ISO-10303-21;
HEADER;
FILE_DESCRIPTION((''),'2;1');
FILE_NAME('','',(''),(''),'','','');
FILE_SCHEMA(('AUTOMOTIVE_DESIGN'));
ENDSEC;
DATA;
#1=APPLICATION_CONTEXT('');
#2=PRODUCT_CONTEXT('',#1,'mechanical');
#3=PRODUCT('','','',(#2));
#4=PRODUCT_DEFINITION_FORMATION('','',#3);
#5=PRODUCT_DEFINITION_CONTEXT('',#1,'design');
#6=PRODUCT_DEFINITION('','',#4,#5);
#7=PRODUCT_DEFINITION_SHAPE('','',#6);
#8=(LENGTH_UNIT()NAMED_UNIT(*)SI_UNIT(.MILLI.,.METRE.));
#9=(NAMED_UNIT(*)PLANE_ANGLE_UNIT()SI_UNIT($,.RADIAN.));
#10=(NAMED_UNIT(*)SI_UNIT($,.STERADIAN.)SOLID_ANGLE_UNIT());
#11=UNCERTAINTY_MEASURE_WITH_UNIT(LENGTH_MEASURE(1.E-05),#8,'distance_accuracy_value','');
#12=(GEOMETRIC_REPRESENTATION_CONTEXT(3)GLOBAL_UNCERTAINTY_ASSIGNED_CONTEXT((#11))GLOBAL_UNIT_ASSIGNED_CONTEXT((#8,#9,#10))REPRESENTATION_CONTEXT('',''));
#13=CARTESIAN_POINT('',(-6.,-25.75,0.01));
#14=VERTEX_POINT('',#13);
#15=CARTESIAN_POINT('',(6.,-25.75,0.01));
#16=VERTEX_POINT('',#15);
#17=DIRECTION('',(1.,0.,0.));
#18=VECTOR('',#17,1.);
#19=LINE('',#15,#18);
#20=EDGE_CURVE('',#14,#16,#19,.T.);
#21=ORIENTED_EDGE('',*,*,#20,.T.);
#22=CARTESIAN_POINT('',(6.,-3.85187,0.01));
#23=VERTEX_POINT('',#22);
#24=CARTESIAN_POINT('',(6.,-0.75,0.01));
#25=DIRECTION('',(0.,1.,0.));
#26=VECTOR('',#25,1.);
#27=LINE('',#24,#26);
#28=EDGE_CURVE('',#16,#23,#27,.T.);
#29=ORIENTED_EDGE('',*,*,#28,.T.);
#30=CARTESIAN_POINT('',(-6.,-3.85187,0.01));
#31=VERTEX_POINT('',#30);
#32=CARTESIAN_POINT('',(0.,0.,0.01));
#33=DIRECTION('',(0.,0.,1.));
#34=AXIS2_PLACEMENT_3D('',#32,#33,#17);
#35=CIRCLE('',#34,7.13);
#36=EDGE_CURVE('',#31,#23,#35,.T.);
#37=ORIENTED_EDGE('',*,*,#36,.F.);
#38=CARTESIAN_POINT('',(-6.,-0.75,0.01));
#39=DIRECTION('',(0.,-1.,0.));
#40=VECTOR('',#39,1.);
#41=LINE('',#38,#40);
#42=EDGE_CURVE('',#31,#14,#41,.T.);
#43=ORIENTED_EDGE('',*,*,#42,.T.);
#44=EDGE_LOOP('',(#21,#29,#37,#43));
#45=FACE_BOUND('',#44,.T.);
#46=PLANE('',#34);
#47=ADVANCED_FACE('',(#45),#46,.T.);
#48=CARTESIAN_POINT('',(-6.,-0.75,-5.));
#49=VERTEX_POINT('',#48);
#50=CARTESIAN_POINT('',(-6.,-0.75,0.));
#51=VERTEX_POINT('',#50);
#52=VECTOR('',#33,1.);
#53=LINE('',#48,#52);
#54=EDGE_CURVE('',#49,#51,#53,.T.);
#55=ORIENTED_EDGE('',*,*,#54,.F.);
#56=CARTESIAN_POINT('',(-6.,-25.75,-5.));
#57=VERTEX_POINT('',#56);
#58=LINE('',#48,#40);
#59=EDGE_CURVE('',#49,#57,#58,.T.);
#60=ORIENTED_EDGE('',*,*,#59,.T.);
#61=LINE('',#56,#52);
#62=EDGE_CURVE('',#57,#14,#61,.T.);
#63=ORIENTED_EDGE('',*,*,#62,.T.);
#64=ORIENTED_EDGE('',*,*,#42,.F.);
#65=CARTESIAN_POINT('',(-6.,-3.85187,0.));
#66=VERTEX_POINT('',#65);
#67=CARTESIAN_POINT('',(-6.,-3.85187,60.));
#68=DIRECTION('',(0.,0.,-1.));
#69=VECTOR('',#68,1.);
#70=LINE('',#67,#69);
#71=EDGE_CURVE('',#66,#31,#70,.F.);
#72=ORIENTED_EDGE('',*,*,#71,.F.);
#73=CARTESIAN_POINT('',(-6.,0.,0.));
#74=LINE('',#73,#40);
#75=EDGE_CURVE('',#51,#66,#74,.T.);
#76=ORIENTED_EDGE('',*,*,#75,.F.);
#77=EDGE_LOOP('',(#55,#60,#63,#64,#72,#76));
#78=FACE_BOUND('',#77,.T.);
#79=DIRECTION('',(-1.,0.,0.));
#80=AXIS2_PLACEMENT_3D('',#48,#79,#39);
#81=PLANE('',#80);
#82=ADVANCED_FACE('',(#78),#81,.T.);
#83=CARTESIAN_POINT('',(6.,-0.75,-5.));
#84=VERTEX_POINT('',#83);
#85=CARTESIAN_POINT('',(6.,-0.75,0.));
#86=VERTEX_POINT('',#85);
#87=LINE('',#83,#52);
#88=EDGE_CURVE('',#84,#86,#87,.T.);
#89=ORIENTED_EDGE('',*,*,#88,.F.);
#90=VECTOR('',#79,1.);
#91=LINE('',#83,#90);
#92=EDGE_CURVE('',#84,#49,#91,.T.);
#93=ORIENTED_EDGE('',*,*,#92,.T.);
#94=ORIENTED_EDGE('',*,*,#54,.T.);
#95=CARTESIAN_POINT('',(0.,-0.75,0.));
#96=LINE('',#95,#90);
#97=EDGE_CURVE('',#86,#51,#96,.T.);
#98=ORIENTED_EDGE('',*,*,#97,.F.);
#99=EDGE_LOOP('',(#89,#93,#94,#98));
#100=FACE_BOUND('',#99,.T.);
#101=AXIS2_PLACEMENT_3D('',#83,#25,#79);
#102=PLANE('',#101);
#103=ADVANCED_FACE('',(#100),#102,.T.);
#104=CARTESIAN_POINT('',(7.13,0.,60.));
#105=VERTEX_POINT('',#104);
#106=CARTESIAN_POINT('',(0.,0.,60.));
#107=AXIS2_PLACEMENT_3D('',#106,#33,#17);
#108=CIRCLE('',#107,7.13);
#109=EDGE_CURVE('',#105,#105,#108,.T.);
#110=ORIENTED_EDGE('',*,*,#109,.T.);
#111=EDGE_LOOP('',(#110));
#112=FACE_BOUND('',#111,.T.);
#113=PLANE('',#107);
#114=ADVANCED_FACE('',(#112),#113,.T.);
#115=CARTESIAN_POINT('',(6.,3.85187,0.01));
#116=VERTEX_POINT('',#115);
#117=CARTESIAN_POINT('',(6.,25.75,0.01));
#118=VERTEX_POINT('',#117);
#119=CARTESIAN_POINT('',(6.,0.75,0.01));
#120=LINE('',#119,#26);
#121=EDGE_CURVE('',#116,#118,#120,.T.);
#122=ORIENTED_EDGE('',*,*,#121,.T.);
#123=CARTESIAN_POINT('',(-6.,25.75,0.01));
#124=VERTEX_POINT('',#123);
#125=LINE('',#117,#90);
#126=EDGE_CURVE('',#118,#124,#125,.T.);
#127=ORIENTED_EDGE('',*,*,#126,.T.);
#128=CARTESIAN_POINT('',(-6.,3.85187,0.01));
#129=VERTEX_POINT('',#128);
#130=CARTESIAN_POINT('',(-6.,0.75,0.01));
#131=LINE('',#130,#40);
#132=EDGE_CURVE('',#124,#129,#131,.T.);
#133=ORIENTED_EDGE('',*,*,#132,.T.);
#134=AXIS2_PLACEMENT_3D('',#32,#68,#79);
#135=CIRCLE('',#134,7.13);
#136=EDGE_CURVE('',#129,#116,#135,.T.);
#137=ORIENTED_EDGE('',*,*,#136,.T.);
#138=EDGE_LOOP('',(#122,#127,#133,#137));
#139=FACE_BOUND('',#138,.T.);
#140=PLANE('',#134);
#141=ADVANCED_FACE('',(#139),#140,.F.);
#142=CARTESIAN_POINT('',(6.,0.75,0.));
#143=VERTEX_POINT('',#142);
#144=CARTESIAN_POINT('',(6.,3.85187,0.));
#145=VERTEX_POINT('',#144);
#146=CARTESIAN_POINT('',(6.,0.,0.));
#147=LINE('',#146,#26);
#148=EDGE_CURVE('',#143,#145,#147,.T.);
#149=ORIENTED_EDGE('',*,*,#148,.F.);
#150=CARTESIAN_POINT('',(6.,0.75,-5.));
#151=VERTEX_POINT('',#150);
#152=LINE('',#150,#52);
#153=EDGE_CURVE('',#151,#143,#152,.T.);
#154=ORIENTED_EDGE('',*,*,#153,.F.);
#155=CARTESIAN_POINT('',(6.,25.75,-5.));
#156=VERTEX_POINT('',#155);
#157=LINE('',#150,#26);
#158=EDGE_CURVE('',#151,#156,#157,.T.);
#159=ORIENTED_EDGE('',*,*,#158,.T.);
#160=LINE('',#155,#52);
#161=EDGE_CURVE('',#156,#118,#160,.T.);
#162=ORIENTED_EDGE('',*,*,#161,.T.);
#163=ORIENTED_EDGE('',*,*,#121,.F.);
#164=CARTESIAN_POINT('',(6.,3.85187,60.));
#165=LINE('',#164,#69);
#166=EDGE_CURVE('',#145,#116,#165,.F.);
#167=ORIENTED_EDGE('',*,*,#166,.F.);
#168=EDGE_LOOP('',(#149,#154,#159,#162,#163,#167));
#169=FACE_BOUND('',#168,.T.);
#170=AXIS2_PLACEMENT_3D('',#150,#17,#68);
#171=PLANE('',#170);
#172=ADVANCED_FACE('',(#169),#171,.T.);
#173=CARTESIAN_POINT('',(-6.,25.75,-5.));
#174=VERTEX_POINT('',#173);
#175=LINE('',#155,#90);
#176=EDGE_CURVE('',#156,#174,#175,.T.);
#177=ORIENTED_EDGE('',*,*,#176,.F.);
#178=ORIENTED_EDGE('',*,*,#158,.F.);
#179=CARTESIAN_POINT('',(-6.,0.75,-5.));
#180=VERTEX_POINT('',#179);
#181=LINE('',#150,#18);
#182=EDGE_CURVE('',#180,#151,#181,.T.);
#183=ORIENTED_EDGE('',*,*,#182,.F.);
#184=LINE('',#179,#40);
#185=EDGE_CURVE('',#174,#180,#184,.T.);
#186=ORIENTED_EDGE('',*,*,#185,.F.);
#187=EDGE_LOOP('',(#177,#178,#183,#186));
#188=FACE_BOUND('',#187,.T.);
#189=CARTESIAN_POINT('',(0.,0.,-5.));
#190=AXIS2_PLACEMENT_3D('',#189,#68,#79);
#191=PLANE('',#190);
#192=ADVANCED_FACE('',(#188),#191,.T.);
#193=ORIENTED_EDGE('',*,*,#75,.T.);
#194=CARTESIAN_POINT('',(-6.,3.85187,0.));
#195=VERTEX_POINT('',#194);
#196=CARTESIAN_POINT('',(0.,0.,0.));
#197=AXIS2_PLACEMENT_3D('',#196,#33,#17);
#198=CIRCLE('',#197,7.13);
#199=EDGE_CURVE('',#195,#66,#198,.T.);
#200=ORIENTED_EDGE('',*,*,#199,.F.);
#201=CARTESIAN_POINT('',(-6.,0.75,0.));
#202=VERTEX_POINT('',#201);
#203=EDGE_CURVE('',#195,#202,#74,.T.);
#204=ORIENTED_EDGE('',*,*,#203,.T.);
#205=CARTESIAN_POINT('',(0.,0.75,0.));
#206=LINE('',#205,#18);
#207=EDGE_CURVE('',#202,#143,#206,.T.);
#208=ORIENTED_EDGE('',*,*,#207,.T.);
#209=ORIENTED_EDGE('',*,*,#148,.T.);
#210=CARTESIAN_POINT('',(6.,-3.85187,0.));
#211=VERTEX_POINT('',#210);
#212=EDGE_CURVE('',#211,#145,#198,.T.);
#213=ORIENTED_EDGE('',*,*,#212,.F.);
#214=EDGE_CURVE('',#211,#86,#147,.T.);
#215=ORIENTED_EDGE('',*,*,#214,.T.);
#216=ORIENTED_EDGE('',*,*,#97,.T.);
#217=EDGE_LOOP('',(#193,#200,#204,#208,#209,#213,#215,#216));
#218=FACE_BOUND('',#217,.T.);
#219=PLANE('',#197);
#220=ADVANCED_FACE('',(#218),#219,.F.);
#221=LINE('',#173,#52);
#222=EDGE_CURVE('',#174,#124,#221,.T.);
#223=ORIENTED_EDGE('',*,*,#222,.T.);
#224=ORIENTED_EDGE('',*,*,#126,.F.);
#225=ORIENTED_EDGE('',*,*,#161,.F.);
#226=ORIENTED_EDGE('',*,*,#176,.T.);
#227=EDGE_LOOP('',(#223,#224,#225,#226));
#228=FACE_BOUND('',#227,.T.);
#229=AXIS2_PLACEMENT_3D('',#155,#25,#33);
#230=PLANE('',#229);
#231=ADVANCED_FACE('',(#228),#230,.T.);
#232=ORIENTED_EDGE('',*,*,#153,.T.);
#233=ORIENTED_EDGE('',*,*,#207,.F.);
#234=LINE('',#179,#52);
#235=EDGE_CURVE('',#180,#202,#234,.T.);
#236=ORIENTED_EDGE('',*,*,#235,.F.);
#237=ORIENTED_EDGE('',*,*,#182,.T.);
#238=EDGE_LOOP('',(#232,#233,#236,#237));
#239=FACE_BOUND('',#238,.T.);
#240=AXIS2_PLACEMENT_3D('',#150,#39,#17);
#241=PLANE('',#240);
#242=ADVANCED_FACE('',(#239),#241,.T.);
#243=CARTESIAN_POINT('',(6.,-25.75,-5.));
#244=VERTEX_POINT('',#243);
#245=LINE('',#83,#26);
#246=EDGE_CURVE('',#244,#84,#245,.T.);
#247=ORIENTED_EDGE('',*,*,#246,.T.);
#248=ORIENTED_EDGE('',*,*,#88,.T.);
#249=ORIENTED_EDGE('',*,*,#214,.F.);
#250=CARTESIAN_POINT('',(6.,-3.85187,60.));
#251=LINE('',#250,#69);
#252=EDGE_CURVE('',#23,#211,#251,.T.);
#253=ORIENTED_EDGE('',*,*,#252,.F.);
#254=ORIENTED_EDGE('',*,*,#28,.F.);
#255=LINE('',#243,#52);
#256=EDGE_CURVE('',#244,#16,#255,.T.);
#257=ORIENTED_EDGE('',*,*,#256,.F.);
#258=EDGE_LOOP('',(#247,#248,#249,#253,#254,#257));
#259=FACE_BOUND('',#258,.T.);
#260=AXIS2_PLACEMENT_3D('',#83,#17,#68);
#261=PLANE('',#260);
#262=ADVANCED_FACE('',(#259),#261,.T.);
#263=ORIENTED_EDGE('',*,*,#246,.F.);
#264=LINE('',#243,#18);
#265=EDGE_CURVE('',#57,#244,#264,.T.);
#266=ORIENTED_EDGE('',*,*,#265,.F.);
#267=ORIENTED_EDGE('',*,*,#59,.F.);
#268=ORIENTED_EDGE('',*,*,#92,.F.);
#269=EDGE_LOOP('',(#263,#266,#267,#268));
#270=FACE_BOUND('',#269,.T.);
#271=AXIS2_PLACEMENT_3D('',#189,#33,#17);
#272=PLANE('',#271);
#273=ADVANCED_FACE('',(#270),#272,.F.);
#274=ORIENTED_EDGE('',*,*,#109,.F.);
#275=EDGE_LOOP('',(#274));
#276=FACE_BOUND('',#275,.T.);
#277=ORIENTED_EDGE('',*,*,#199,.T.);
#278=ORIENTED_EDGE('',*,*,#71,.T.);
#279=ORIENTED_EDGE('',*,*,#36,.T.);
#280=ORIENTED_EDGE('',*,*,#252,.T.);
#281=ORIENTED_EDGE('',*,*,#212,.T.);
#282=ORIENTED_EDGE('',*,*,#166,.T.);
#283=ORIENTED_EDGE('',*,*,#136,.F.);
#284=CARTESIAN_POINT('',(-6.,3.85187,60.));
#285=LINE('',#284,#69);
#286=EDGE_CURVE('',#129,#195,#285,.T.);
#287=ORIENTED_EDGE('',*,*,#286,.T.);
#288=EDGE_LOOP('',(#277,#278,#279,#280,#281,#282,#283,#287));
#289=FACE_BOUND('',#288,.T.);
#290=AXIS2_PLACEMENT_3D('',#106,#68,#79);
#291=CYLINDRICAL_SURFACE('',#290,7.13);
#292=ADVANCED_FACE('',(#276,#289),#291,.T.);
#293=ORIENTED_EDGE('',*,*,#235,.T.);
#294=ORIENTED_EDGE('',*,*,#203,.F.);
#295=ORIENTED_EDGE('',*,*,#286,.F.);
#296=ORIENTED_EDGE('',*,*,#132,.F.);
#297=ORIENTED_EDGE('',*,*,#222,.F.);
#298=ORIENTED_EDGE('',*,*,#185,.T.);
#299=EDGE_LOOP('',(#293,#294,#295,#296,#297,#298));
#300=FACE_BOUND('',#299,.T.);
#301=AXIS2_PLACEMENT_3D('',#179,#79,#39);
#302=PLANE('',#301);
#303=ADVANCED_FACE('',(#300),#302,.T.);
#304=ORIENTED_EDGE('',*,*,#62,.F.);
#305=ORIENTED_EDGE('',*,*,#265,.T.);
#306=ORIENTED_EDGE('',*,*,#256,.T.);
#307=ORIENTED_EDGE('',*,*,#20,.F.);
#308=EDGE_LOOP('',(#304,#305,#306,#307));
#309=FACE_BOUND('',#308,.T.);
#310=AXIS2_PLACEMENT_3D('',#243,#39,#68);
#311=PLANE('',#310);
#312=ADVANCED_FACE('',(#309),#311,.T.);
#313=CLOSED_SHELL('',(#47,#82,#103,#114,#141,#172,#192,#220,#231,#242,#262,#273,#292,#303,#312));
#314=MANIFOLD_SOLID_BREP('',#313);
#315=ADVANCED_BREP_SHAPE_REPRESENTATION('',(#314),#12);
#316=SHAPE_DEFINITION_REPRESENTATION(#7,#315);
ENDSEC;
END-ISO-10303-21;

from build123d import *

# Parameters (mm, degrees)
SKETCH1_R                = 7.13
BOSS_EXTRUDE1_DEPTH      = 60
BOSS_EXTRUDE2_DEPTH      = 0.01
BOSS_EXTRUDE2_DEPTH_BACK = 5
SKETCH2_W                = 12
SKETCH2_H                = 25


with BuildPart() as part:
    # Sketch1 → Boss-Extrude1 (new body)
    with BuildSketch(Plane.XY):
        Circle(SKETCH1_R)
    extrude(amount=BOSS_EXTRUDE1_DEPTH)

    # Sketch2 → Boss-Extrude2 (add, two sides: drawn at the far end of the back side and taken through both)
    with BuildSketch(Plane.XY.offset(-BOSS_EXTRUDE2_DEPTH_BACK)):
        with Locations((0, -13.25)):
            Rectangle(SKETCH2_W, SKETCH2_H)
        with Locations((0, 13.25)):
            Rectangle(SKETCH2_W, SKETCH2_H)
    extrude(amount=BOSS_EXTRUDE2_DEPTH + BOSS_EXTRUDE2_DEPTH_BACK)


solid = part.part
